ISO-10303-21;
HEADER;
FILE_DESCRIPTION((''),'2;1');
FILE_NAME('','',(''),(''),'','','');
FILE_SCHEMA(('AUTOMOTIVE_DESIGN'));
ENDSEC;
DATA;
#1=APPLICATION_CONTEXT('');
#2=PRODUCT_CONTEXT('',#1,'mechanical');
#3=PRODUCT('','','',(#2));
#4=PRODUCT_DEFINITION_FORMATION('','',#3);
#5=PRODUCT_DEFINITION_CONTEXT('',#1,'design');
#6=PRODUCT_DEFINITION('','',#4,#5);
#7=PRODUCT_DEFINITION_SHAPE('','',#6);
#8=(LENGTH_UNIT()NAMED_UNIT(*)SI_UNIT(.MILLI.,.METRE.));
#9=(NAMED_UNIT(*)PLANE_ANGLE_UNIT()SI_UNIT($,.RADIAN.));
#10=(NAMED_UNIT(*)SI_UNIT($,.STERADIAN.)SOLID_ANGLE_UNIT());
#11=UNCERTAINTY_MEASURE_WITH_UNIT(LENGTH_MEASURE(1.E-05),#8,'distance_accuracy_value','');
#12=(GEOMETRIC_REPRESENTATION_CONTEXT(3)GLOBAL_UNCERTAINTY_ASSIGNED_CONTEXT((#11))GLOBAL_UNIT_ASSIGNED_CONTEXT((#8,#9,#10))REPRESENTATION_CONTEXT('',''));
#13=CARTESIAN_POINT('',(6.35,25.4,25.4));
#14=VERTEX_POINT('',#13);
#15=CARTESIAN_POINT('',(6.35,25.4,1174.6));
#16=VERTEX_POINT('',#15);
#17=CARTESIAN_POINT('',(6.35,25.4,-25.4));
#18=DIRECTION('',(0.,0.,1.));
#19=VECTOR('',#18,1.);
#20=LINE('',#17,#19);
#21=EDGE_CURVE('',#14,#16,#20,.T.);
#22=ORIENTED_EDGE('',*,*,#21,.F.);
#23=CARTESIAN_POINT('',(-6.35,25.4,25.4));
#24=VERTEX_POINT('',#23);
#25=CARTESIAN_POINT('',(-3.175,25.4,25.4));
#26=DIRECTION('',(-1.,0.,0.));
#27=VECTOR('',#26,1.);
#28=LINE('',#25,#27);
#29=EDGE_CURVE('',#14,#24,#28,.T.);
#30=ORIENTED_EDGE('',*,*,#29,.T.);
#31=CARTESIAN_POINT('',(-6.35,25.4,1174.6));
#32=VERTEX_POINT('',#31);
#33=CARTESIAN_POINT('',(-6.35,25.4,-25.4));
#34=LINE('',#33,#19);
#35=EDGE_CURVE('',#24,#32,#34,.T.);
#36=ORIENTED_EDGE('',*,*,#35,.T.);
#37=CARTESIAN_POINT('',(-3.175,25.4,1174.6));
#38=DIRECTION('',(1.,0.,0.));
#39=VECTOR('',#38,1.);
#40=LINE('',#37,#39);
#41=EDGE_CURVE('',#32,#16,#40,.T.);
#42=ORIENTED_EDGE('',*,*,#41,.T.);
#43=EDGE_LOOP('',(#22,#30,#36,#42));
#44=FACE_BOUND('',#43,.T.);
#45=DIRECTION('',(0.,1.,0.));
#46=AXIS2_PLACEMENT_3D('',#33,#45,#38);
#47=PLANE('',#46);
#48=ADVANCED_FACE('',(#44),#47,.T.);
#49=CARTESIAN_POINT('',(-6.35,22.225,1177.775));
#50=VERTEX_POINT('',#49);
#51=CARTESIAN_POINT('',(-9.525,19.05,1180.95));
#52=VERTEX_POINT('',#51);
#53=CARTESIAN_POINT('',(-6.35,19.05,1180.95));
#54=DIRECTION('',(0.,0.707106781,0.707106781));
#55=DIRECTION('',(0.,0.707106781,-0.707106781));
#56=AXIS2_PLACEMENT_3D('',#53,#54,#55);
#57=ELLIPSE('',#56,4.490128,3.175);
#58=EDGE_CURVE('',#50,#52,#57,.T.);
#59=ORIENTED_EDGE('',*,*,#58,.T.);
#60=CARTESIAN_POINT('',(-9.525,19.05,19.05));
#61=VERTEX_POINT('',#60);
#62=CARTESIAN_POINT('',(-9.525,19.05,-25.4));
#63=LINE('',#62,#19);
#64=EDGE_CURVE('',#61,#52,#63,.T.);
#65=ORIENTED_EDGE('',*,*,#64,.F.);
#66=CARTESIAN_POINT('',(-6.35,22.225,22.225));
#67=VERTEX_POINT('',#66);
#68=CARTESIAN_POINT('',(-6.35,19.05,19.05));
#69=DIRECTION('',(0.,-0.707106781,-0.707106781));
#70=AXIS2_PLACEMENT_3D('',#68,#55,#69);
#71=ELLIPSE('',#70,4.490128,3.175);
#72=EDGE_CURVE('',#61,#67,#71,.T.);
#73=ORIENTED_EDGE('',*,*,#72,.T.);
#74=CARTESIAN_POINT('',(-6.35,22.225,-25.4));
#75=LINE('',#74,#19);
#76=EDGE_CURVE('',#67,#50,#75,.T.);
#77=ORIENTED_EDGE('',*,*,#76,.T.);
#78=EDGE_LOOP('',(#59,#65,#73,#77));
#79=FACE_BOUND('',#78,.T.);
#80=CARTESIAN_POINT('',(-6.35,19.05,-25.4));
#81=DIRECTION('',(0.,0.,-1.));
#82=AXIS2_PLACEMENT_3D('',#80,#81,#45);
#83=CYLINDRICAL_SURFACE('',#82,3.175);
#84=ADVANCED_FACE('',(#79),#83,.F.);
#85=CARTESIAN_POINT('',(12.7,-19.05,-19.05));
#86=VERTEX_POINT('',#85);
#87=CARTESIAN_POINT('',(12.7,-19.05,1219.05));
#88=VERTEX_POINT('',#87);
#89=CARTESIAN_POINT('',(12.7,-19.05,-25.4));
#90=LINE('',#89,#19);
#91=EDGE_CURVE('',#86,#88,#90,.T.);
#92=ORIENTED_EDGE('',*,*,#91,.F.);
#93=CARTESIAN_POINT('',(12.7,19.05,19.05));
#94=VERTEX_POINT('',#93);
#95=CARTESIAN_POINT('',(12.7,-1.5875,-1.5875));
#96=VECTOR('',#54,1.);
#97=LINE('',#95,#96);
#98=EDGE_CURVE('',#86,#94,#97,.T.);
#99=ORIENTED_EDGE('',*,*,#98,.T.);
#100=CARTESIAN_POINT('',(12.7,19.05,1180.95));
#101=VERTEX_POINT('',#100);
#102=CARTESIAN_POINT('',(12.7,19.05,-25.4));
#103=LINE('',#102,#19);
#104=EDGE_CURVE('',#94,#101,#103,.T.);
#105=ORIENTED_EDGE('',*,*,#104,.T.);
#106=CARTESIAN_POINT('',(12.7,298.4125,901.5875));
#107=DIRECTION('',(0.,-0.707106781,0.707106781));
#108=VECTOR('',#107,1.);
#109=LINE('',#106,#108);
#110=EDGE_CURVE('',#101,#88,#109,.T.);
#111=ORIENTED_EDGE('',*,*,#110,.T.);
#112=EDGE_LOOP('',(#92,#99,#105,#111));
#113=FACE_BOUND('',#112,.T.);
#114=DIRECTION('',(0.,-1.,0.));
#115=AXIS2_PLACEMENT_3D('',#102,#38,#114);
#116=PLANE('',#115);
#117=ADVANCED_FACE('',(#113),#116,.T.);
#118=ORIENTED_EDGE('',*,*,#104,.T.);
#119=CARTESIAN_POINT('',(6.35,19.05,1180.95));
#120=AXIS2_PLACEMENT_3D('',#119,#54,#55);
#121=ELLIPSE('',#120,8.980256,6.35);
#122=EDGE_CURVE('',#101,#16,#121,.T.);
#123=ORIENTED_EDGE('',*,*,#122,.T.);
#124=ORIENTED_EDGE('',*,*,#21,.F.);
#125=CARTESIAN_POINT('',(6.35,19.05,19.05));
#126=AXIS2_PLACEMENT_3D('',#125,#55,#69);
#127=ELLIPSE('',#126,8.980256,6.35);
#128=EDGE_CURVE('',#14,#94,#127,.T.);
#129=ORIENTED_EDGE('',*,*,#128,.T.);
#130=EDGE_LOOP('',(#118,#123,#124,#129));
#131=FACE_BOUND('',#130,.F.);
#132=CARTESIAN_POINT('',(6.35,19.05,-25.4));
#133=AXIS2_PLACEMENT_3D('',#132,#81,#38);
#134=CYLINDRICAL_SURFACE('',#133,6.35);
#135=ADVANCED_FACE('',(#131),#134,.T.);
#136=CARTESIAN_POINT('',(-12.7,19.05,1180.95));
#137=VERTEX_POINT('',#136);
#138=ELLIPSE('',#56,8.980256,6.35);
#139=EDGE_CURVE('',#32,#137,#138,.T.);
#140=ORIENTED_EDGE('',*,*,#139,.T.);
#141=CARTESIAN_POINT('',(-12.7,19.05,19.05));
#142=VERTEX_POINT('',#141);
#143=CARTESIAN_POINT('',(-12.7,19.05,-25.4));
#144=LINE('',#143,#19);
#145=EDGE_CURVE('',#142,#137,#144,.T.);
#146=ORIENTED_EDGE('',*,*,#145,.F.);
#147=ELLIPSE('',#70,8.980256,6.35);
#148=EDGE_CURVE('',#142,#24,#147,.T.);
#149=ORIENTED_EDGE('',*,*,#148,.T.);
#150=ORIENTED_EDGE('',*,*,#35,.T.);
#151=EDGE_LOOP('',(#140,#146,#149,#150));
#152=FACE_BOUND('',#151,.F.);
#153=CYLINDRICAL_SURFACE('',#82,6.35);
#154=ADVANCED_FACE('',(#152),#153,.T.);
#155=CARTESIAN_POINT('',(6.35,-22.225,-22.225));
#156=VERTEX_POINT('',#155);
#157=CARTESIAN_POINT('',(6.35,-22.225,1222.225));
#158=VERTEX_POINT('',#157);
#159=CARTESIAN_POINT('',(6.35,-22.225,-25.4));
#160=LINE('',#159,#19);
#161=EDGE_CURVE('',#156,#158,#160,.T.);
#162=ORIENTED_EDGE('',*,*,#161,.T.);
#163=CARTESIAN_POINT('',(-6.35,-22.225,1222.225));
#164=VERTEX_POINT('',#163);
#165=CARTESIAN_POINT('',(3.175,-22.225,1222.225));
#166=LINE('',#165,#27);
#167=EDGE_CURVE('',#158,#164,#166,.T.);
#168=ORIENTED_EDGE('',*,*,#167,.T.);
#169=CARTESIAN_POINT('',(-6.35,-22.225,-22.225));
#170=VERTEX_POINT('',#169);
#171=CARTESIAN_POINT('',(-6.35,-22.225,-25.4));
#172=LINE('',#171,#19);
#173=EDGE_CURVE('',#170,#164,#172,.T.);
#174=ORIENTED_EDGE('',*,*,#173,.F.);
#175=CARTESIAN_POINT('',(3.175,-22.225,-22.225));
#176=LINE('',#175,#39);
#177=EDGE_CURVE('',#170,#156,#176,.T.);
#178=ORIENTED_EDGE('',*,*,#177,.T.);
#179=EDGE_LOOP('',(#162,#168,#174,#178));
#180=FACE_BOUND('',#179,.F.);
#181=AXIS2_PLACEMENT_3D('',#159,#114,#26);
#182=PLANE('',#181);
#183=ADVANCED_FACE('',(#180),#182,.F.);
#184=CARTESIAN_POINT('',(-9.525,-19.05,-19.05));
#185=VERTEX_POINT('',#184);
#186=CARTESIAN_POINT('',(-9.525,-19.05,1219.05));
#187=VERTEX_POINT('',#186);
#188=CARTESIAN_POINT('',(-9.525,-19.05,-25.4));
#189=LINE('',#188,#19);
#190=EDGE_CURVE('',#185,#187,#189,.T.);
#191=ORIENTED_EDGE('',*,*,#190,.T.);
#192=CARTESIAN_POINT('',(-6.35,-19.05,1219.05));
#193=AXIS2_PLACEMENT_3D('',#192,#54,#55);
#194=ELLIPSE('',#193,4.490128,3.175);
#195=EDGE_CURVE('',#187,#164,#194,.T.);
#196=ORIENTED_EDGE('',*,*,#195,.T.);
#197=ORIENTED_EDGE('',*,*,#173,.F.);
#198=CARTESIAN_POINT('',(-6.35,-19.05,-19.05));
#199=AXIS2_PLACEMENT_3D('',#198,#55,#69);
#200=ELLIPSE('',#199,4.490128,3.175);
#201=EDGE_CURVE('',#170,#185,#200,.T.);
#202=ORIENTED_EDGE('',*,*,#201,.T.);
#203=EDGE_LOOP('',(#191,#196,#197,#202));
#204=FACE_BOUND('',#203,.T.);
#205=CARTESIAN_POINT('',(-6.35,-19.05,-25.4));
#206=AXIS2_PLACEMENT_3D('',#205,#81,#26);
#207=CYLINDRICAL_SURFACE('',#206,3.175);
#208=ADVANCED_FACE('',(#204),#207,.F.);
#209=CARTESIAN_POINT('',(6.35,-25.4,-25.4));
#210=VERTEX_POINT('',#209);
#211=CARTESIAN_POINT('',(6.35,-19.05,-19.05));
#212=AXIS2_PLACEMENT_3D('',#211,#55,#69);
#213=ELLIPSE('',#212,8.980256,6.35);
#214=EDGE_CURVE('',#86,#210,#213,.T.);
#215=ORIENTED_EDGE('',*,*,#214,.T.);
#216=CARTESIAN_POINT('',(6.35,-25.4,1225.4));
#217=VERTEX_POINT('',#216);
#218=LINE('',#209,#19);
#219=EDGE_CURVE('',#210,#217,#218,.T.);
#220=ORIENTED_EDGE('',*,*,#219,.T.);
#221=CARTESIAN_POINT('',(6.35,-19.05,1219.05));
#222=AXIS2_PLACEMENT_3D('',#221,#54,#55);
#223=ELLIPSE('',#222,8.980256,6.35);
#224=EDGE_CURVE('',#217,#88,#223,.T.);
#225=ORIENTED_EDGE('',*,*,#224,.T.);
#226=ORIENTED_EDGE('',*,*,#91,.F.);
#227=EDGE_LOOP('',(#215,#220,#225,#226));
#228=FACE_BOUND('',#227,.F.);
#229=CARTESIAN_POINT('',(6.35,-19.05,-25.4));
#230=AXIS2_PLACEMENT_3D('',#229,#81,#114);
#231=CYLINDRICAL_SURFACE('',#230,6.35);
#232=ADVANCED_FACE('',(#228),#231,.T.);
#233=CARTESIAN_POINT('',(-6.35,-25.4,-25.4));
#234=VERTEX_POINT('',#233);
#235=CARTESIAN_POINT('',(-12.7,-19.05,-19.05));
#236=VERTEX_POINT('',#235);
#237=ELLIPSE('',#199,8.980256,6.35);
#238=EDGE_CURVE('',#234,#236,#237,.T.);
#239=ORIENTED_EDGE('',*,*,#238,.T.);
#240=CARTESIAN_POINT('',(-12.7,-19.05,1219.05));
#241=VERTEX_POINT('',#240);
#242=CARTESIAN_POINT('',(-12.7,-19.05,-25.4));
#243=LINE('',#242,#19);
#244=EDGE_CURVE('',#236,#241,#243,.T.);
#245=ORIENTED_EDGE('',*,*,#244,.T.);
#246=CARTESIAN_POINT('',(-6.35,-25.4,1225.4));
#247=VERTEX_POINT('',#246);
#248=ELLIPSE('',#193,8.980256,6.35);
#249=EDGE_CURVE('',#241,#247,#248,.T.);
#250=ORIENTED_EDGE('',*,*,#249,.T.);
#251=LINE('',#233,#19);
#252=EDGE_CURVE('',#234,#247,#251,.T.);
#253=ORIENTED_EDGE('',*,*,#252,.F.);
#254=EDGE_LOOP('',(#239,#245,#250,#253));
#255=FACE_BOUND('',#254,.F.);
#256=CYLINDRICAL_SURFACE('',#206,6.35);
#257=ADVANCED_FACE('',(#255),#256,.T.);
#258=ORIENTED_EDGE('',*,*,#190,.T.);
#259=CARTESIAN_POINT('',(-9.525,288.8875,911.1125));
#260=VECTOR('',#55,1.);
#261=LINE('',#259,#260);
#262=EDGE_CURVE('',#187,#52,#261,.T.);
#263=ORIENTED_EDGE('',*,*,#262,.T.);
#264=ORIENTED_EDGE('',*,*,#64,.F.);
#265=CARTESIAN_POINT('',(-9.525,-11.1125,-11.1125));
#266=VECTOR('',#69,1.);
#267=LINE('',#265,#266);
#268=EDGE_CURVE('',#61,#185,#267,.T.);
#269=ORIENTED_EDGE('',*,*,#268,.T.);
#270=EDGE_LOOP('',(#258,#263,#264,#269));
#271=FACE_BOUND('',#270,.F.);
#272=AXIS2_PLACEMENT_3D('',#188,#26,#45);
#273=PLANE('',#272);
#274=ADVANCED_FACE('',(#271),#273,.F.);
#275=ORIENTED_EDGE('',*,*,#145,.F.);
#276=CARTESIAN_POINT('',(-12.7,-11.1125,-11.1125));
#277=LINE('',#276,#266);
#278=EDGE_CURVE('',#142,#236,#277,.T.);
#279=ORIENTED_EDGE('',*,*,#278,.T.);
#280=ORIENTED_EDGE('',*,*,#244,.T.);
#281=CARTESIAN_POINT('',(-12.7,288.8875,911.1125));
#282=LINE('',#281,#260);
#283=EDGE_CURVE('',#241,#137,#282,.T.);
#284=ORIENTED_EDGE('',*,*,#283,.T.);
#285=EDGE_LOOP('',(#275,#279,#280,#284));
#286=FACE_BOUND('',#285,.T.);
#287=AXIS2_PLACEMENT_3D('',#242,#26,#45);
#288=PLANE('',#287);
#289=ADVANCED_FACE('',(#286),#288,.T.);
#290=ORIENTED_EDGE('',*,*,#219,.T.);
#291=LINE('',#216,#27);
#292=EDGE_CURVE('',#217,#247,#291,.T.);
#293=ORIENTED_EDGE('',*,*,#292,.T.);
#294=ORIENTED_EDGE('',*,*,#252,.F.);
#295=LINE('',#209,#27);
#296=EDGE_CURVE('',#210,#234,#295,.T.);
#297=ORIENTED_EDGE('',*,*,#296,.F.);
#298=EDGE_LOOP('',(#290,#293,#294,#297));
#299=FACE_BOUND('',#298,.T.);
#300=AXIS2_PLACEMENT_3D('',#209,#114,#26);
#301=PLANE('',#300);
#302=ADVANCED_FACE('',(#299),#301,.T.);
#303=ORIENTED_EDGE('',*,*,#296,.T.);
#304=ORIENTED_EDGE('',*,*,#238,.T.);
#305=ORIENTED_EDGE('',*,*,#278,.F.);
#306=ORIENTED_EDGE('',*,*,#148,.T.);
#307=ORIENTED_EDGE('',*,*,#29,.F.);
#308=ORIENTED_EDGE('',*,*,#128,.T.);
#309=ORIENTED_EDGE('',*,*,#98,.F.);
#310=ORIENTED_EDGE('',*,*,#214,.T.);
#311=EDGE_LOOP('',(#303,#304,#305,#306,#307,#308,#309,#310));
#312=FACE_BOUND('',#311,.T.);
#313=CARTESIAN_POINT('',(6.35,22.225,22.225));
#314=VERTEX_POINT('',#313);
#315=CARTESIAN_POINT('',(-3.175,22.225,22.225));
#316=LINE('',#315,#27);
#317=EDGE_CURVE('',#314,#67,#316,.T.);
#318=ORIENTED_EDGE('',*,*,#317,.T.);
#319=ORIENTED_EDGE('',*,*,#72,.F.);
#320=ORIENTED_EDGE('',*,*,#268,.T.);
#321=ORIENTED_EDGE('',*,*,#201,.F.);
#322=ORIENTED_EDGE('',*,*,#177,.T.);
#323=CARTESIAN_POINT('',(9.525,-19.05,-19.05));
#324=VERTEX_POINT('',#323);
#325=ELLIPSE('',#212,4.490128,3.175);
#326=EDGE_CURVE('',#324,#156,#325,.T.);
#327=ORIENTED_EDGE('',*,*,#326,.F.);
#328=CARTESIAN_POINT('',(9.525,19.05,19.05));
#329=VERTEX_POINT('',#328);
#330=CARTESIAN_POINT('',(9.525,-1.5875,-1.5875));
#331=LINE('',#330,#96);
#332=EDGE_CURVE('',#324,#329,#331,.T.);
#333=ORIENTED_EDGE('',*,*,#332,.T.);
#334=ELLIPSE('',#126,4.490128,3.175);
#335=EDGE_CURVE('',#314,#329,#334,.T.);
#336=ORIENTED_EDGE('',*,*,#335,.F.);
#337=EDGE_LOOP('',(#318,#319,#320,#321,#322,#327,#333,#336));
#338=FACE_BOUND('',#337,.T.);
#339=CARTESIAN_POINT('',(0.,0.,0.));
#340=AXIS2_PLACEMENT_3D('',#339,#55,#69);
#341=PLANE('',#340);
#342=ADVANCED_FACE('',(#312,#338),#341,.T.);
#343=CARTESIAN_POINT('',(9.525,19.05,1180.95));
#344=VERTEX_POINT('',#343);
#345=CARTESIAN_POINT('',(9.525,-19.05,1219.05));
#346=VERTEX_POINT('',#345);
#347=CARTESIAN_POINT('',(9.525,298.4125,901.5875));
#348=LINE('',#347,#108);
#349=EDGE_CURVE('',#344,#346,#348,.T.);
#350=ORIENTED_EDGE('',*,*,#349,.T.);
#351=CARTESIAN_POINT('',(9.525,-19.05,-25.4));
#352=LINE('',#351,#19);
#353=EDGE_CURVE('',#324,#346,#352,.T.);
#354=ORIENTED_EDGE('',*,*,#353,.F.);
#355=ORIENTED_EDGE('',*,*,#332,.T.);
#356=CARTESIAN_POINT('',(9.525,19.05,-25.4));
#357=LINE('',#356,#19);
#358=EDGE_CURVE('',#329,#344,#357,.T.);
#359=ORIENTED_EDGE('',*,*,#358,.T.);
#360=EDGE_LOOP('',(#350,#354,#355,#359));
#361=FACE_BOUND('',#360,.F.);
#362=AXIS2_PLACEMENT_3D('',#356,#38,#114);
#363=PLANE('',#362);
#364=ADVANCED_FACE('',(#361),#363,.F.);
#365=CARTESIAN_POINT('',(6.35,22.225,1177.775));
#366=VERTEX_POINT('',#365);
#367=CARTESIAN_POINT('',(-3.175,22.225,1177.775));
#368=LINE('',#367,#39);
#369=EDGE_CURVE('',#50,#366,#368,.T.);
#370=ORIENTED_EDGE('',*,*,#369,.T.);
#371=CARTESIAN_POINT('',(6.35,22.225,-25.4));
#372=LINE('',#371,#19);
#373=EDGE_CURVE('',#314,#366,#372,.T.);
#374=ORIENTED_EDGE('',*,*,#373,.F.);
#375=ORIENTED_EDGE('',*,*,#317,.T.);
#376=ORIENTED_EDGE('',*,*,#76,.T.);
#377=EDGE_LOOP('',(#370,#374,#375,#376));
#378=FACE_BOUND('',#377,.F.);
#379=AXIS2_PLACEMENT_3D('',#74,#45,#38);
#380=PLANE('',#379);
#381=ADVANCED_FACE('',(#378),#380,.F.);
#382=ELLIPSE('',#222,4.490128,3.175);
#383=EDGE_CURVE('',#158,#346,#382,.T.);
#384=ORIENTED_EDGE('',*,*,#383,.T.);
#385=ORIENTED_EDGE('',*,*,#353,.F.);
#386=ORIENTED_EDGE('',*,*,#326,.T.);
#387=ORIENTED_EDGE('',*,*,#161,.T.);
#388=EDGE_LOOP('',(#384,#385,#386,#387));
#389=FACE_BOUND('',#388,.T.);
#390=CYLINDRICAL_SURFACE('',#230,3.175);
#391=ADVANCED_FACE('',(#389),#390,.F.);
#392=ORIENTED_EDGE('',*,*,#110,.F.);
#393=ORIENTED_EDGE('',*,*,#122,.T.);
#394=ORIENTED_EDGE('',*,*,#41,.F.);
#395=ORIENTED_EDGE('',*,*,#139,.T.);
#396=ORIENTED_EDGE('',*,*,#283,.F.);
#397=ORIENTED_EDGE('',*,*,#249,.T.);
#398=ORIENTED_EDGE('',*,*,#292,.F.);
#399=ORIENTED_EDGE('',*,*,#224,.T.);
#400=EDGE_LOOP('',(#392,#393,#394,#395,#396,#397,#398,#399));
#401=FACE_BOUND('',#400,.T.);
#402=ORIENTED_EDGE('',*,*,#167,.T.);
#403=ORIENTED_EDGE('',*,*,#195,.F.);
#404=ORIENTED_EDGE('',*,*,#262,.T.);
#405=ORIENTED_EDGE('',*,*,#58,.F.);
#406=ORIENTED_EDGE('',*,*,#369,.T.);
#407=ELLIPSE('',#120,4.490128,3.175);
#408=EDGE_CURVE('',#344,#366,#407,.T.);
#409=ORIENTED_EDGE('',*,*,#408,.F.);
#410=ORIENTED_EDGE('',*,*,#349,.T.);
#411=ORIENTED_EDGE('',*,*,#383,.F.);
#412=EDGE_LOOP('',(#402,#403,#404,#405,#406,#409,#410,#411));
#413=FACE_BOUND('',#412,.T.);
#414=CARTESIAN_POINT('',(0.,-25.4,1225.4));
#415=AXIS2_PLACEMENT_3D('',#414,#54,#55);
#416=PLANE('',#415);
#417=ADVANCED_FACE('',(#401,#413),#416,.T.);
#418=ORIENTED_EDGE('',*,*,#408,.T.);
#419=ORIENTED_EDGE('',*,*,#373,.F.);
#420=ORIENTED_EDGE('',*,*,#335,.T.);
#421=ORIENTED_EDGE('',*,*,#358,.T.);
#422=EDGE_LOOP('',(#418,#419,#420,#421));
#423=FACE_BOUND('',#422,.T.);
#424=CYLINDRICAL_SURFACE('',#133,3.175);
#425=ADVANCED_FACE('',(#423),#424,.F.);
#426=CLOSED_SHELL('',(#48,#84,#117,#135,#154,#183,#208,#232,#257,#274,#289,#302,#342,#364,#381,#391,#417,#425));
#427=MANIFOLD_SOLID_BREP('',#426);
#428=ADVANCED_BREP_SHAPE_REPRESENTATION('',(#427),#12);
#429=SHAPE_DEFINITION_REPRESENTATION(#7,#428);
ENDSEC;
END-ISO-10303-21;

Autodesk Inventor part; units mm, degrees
ref_plane "Start Plane" through (0, 0, -25.4) normal (0, 0, 1) x (1, 0, 0)
ref_plane "End Plane" through (0, 0, 1225.4) normal (0, 0, 1) x (1, 0, 0)
sketch "Sketch" plane through (0, 0, 0) normal (0, 0, 1) x (1, 0, 0)
  line L0 (-12.7, -19.05) -> (-12.7, 19.05)
  line L1 (-6.35, 25.4) -> (6.35, 25.4)
  line L2 (12.7, 19.05) -> (12.7, -19.05)
  line L3 (6.35, -25.4) -> (-6.35, -25.4)
  arc A0 (-12.7, -19.05) -> (-6.35, -25.4) centre (-6.35, -19.05) ccw
  arc A1 (-6.35, 25.4) -> (-12.7, 19.05) centre (-6.35, 19.05) ccw
  arc A2 (12.7, 19.05) -> (6.35, 25.4) centre (6.35, 19.05) ccw
  arc A3 (6.35, -25.4) -> (12.7, -19.05) centre (6.35, -19.05) ccw
  arc A4 (-6.35, 22.225) -> (-9.525, 19.05) centre (-6.35, 19.05) ccw
  line L4 (-6.35, 22.225) -> (6.35, 22.225)
  arc A5 (9.525, 19.05) -> (6.35, 22.225) centre (6.35, 19.05) ccw
  line L5 (9.525, 19.05) -> (9.525, -19.05)
  arc A6 (6.35, -22.225) -> (9.525, -19.05) centre (6.35, -19.05) ccw
  line L6 (6.35, -22.225) -> (-6.35, -22.225)
  arc A7 (-9.525, -19.05) -> (-6.35, -22.225) centre (-6.35, -19.05) ccw
  line L7 (-9.525, -19.05) -> (-9.525, 19.05)
  line L8 (0, 37.4012) -> (0, -37.4012) construction
  line L9 (-19.6212, 0) -> (19.6212, 0) construction
  dimension "d10" = 50.8
  dimension "d11" = 25.4
  dimension "d12" = 3.175
  dimension "d15" = 25.4
  dimension "d16" = 12.7
  dimension "d17" = 6.35
extrude "Body" add sketch "Sketch" along normal up to surface (1250.8 mm away) from surface at -25.4
sketch "Sketch3" plane through (0, 0, 0) normal (0, 0, 1) x (1, 0, 0)
  line L0 (0, 0) -> (10, 0)
ref_plane "Work Plane3" through (0, 0, 0) normal (0, -1, 0) x (1, 0, 0)
ref_plane "Work Plane4" through (0, -25.4, 1225.4) normal (0, 0.7071, 0.7071) x (1, 0, 0)
split "Split1" plane through (0, -25.4, 1225.4) removes the side toward (0, 0.7071, 0.7071)
ref_plane "Work Plane5" through (0, 0, 0) normal (0, 0.7071, -0.7071) x (1, 0, 0)
split "Split2" plane through (0, 0, 0) removes the side toward (0, 0.7071, -0.7071)
sketch "Sketch4" plane through (0, 0, 0) normal (0, -1, 0) x (1, 0, 0)
  line L0 (-2, -25.4) -> (12, -25.4) projected
  line L1 (-2, 1225.4) -> (12, 1225.4) projected
  dimension "d19" = 1250.8
equation "\"d10\" = G_H"
equation "\"d11\" = G_W"
equation "\"d12\" = G_T"
equation "\"d15\" = 0.5 * d10"
equation "\"d16\" = 0.5 * d11"
equation "\"d17\" = G_IR"
equation "\"d3\" = G_L"
equation "\"G_W\" = 25.4"
equation "\"G_H\" = 50.8"
equation "\"G_T\" = 3.175"
equation "\"G_IR\" = 6.35"
equation "\"G_L\" = d19"
equation "\"G_OFFSET_START\" = 25.4"
equation "\"G_OFFSET_END\" = 25.4"
equation "\"d13\" = -G_OFFSET_START"
equation "\"d14\" = G_OFFSET_END + B_L"
equation "\"B_L\" = 1200"
properties part number "AISC - 2 x 1 x 1/8 - 49.244" material "Steel, Wrought"
